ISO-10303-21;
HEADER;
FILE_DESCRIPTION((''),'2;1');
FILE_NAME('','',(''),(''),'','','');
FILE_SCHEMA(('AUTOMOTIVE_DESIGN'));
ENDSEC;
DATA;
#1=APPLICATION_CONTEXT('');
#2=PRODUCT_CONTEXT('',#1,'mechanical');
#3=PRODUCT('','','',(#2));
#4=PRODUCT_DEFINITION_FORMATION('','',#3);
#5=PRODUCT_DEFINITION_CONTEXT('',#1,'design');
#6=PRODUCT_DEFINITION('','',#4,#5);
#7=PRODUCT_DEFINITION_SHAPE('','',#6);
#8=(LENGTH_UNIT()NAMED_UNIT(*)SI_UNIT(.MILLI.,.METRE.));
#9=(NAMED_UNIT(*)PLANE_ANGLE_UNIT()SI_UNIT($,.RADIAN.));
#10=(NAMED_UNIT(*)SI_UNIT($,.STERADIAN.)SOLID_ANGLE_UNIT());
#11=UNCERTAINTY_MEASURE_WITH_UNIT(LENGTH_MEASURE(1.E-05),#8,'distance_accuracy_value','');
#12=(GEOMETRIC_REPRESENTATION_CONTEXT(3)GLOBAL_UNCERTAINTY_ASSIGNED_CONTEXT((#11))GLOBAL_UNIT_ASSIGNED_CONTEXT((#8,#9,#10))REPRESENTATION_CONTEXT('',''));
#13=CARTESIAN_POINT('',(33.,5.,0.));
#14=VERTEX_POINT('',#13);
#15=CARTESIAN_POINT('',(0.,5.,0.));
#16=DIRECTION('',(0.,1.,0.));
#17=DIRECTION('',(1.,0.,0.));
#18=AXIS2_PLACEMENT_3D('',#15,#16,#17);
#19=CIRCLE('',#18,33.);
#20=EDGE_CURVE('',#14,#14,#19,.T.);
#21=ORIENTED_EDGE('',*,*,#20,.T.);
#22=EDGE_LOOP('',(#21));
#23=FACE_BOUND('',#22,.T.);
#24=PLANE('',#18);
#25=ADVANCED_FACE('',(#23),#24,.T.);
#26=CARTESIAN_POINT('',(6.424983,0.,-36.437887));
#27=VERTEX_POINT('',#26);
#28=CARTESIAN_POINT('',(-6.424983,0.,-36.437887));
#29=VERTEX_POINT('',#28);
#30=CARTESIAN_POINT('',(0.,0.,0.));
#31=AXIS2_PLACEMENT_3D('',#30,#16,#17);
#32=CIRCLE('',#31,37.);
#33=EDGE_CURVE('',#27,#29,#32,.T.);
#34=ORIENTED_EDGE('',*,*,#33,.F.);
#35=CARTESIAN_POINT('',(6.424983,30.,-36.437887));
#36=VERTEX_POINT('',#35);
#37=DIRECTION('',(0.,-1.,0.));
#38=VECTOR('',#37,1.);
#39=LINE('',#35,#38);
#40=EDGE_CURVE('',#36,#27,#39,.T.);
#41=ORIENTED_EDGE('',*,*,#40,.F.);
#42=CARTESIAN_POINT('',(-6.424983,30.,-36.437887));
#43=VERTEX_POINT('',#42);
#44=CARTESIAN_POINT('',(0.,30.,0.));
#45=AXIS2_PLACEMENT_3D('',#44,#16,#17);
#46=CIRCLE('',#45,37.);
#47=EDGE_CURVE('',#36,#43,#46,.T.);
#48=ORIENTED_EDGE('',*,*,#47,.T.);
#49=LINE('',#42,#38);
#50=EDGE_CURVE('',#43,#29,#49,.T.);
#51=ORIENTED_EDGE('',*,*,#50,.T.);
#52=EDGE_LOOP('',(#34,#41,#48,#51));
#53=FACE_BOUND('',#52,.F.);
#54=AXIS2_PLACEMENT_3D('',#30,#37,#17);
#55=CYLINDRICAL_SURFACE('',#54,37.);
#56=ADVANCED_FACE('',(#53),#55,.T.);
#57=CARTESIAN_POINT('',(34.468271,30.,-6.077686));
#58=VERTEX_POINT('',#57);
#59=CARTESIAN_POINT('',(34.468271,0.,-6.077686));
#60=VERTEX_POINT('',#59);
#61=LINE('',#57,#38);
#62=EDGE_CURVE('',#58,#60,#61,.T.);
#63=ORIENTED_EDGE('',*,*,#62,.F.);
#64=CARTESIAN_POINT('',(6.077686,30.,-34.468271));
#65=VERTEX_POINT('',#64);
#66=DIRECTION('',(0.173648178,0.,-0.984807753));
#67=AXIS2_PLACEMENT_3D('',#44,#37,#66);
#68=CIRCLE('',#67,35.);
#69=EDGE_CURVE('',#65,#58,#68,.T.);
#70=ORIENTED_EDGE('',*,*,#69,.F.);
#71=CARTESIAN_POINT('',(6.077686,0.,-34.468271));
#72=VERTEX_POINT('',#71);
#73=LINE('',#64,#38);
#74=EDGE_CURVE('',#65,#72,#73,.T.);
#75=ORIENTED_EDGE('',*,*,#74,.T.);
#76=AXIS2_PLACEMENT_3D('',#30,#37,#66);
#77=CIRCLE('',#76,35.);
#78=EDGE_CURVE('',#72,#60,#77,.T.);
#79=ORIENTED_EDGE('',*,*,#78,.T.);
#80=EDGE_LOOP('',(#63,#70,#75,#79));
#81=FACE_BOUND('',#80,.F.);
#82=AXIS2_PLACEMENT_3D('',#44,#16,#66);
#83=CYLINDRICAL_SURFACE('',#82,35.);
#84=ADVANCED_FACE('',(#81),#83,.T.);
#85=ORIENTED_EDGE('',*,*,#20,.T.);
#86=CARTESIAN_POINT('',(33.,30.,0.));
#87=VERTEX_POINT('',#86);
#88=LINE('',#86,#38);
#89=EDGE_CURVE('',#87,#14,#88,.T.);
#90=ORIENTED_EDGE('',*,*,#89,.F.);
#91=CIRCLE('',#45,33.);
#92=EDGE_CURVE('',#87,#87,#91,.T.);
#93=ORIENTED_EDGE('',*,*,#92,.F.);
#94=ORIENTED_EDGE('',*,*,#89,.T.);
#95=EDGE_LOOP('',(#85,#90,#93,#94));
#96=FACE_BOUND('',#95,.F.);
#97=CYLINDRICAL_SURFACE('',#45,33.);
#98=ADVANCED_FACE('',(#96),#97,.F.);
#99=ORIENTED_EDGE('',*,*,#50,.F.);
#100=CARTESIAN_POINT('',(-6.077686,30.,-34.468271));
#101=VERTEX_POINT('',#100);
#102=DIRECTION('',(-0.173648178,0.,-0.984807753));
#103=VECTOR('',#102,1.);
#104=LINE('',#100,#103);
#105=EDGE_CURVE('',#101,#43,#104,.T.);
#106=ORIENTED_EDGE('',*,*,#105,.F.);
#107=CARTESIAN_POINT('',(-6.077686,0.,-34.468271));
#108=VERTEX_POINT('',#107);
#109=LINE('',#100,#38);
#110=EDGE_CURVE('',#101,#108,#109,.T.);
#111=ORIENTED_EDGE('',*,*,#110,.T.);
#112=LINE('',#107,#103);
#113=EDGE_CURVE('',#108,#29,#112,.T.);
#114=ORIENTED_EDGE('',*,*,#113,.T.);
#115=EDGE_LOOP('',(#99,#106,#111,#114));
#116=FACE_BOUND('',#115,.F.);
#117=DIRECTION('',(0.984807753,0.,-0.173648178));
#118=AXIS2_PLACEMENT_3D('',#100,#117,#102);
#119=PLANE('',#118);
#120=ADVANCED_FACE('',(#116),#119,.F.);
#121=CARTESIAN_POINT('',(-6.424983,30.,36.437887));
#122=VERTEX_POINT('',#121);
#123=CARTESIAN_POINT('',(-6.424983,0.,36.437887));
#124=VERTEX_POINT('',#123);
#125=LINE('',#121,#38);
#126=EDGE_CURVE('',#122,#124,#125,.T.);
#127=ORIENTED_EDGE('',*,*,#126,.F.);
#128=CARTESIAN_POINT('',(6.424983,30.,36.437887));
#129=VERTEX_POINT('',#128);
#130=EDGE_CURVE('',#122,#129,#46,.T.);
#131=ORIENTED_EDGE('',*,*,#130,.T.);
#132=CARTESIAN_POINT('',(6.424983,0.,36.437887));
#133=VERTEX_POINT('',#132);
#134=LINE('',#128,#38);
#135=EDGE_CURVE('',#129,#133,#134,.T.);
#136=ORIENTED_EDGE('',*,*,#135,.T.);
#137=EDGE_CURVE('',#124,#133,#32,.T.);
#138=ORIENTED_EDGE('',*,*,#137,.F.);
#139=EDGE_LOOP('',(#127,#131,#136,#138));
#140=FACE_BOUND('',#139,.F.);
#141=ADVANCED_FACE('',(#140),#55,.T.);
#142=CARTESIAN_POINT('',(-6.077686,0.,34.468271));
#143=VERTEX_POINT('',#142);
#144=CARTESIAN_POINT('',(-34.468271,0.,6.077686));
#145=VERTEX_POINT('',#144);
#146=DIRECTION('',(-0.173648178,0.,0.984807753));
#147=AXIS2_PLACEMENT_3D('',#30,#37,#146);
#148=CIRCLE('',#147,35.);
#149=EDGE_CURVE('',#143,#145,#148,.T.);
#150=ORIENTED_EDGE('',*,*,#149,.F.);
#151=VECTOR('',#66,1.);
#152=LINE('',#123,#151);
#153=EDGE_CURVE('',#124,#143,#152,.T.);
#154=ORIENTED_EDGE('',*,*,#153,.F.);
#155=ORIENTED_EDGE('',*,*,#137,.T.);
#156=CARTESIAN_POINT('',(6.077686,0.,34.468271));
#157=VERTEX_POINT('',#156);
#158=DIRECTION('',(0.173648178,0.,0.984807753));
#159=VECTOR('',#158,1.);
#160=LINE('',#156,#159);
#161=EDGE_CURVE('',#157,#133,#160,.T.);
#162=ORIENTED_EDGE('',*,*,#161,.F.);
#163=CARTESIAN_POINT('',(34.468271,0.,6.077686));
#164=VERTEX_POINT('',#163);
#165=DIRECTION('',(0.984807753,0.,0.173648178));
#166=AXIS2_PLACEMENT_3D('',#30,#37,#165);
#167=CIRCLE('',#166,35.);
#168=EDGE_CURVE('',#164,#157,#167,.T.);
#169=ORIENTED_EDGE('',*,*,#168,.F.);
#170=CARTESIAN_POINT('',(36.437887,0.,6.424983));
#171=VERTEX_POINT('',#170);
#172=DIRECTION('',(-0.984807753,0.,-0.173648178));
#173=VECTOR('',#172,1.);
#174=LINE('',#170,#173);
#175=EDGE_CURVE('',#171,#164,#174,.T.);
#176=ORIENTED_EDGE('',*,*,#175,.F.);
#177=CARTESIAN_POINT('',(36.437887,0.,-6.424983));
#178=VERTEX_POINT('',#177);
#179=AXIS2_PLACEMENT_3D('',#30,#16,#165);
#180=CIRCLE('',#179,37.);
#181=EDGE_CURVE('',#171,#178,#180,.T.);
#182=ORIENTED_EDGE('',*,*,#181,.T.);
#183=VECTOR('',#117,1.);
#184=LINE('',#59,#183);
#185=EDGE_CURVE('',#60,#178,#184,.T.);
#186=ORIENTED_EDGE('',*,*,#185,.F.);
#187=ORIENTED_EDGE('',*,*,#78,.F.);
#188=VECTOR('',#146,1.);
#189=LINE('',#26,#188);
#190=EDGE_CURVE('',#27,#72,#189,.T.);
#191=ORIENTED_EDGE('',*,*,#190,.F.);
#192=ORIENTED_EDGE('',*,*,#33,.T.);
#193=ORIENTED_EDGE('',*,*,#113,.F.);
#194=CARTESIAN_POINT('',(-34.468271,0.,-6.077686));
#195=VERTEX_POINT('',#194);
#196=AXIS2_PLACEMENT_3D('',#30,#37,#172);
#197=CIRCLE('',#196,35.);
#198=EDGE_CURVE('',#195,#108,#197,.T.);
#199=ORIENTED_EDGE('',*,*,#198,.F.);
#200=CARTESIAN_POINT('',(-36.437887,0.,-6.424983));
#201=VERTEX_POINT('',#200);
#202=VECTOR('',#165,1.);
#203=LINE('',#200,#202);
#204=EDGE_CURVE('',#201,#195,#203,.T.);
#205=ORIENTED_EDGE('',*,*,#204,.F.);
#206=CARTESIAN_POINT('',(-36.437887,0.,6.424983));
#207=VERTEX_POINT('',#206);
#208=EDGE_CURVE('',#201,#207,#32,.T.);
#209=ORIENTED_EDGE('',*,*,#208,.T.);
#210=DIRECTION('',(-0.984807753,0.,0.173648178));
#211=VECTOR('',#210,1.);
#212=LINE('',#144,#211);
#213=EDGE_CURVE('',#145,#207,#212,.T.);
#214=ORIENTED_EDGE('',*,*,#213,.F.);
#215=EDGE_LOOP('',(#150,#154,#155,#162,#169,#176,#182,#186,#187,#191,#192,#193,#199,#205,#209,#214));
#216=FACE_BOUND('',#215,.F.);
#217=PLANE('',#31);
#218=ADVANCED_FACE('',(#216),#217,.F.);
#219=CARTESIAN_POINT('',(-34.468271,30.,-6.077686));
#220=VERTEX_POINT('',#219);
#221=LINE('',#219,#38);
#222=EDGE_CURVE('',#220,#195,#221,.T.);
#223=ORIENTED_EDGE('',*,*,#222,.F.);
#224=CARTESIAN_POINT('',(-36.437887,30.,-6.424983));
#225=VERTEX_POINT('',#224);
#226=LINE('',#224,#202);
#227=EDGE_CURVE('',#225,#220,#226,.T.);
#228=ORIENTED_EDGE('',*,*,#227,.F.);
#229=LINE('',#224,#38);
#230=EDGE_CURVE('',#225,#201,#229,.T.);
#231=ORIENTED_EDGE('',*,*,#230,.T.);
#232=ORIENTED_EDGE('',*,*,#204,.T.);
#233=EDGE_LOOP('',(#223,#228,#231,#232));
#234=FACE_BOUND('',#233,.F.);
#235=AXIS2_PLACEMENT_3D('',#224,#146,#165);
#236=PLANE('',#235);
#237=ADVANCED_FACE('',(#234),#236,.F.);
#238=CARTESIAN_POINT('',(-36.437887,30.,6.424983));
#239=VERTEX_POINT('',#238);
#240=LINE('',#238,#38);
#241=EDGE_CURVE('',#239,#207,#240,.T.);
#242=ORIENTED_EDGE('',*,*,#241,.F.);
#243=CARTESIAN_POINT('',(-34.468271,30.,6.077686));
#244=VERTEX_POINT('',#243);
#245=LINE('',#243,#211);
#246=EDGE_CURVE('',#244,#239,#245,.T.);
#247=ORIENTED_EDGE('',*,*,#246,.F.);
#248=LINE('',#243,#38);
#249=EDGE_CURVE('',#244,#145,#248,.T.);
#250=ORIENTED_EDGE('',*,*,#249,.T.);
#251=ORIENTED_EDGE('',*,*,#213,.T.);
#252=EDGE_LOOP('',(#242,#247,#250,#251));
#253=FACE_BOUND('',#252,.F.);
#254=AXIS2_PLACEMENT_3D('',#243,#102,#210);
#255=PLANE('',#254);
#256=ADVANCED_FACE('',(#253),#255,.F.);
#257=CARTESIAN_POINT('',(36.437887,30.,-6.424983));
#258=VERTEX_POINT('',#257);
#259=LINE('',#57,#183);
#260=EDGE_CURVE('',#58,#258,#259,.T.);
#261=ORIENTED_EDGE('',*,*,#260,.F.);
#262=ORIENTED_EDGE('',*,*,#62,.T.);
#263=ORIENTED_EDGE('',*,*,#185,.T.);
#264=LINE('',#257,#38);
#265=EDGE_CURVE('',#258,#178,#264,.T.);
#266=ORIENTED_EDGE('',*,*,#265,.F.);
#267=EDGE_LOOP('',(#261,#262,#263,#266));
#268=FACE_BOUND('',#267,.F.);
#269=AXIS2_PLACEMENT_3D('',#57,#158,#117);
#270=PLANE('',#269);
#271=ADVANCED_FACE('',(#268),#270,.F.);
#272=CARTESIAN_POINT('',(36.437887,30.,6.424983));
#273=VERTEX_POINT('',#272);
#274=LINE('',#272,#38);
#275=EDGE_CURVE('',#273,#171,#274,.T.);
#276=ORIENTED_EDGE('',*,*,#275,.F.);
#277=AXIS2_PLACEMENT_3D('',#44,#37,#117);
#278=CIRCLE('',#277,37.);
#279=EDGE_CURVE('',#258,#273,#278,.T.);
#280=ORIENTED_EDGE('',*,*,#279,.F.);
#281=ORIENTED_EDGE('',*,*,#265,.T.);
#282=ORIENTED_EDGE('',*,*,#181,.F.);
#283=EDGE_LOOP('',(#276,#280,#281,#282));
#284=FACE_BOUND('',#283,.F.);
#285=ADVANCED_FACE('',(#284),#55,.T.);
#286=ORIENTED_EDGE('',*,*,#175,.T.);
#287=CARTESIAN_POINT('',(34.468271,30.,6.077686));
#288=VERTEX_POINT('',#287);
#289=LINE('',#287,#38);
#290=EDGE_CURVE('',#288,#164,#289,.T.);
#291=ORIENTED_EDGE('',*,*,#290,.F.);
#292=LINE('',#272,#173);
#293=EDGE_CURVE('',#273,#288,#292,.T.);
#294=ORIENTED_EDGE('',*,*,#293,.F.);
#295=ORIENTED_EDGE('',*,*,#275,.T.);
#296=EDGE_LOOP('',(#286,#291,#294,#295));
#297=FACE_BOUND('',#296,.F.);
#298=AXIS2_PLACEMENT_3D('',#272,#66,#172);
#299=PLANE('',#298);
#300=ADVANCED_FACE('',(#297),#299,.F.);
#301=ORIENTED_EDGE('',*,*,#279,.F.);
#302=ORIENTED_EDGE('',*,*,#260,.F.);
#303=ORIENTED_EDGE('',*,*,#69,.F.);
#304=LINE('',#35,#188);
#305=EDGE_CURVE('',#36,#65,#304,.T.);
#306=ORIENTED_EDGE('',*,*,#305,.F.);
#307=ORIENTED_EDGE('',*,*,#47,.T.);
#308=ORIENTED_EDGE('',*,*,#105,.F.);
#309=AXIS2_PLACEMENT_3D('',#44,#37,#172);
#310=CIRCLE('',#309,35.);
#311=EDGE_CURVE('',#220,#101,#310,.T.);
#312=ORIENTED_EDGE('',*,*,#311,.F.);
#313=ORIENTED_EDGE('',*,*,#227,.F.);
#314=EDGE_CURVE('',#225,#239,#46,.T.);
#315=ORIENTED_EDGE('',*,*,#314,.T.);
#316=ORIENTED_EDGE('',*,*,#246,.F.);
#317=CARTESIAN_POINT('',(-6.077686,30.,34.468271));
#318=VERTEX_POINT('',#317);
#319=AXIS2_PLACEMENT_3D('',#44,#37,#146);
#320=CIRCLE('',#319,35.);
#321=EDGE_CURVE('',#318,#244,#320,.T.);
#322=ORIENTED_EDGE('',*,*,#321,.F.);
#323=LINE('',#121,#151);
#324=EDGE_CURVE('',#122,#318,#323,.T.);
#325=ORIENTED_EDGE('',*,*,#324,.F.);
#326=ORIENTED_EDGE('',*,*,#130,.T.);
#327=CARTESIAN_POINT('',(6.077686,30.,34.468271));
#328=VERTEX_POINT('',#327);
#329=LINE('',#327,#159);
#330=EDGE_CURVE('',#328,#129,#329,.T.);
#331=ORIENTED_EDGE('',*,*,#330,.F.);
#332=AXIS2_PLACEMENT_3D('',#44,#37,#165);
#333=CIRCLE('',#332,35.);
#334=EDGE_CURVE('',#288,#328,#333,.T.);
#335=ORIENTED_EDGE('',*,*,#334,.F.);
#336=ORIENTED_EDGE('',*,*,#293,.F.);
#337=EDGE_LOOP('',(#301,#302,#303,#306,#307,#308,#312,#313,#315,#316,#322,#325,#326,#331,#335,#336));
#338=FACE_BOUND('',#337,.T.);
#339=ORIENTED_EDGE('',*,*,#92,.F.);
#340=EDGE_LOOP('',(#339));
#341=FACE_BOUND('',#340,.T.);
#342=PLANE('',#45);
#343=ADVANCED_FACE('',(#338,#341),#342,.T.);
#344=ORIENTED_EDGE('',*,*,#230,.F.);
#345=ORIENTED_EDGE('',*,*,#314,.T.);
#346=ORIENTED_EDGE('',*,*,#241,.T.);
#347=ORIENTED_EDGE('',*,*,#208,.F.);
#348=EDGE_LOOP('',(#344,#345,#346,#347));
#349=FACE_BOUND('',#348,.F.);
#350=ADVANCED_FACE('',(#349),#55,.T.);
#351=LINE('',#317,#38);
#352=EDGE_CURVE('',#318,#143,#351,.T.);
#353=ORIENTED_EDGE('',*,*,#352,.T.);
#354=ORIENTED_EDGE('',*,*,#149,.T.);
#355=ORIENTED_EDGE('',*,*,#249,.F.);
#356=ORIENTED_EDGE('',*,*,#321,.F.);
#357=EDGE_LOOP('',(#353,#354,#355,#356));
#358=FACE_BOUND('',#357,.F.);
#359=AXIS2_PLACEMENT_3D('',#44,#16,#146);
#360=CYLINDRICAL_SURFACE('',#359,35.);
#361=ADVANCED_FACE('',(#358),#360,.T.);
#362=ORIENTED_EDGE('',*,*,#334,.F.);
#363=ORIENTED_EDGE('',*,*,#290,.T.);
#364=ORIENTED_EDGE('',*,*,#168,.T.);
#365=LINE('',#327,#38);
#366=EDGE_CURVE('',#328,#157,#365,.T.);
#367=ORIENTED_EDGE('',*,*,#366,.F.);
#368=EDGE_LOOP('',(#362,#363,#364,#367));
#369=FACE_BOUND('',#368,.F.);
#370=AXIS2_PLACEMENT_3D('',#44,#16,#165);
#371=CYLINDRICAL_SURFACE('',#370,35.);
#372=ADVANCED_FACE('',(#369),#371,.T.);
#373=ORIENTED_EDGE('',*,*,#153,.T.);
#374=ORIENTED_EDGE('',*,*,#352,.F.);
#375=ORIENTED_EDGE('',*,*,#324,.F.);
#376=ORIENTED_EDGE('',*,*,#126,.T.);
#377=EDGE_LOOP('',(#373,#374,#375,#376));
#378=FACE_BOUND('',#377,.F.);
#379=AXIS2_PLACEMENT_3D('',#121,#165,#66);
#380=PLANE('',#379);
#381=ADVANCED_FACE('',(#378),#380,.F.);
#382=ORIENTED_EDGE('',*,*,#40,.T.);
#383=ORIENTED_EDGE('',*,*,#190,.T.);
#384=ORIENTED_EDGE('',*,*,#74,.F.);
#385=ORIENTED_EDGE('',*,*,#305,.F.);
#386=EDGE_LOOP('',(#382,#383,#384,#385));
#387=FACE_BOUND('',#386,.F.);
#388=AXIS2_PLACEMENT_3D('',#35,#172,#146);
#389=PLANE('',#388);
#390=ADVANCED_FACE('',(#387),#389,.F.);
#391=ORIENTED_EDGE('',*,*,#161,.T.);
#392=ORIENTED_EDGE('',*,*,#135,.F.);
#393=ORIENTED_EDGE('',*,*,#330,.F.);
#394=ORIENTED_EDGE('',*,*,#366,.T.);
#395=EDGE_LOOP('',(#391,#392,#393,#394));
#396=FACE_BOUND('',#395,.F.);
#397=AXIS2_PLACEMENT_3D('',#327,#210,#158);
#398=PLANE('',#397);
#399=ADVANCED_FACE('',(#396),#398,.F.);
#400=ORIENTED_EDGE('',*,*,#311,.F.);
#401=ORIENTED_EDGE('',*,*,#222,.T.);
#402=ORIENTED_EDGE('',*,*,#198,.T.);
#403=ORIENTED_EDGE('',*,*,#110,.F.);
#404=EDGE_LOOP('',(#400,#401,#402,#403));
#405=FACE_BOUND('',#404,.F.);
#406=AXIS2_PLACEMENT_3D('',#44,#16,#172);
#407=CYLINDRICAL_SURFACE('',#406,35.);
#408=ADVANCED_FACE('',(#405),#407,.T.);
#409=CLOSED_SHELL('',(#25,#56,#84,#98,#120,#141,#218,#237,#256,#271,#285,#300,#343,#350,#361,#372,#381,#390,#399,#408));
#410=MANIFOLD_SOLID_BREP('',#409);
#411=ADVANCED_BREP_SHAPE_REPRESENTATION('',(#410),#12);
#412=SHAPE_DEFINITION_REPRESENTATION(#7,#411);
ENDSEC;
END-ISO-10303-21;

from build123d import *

# Parameters (mm, degrees)
SKETCH1_R           = 37
BOSS_EXTRUDE1_DEPTH = 30
CUT_EXTRUDE1_DEPTH  = 30
SKETCH3_R           = 33
CUT_EXTRUDE2_DEPTH  = 25


with BuildPart() as part:
    # Sketch1 → Boss-Extrude1 (new body)
    with BuildSketch(Plane(origin=(0, 0, 0), x_dir=(1, 0, 0), z_dir=(0, 1, 0))):
        Circle(SKETCH1_R)
    extrude(amount=BOSS_EXTRUDE1_DEPTH)

    # Sketch2 → Cut-Extrude1 (cut)
    with BuildSketch(Plane(origin=(0, 30, 0), x_dir=(1, 0, 0), z_dir=(0, 1, 0))):
        with BuildLine():
            Line((6.424982574, 36.437886861), (6.077686218, 34.468271355))
            ThreePointArc((6.077686218, 34.468271355), (24.748737342, 24.748737342), (34.468271355, 6.077686218))
            Line((34.468271355, 6.077686218), (36.437886861, 6.424982574))
            ThreePointArc((36.437886861, 6.424982574), (26.162950904, 26.162950904), (6.424982574, 36.437886861))
        make_face()
        with BuildLine():
            Line((36.437886861, -6.424982574), (34.468271355, -6.077686218))
            ThreePointArc((34.468271355, -6.077686218), (24.748737342, -24.748737342), (6.077686218, -34.468271355))
            Line((6.077686218, -34.468271355), (6.424982574, -36.437886861))
            ThreePointArc((6.424982574, -36.437886861), (26.162950904, -26.162950904), (36.437886861, -6.424982574))
        make_face()
        with BuildLine():
            Line((-6.424982574, -36.437886861), (-6.077686218, -34.468271355))
            ThreePointArc((-6.077686218, -34.468271355), (-24.748737342, -24.748737342), (-34.468271355, -6.077686218))
            Line((-34.468271355, -6.077686218), (-36.437886861, -6.424982574))
            ThreePointArc((-36.437886861, -6.424982574), (-26.162950904, -26.162950904), (-6.424982574, -36.437886861))
        make_face()
        with BuildLine():
            Line((-36.437886861, 6.424982574), (-34.468271355, 6.077686218))
            ThreePointArc((-34.468271355, 6.077686218), (-24.748737342, 24.748737342), (-6.077686218, 34.468271355))
            Line((-6.077686218, 34.468271355), (-6.424982574, 36.437886861))
            ThreePointArc((-6.424982574, 36.437886861), (-26.162950904, 26.162950904), (-36.437886861, 6.424982574))
        make_face()
    extrude(amount=-CUT_EXTRUDE1_DEPTH, mode=Mode.SUBTRACT)

    # Sketch3 → Cut-Extrude2 (cut)
    with BuildSketch(Plane(origin=(0, 30, 0), x_dir=(1, 0, 0), z_dir=(0, 1, 0))):
        Circle(SKETCH3_R)
    extrude(amount=-CUT_EXTRUDE2_DEPTH, mode=Mode.SUBTRACT)


solid = part.part
